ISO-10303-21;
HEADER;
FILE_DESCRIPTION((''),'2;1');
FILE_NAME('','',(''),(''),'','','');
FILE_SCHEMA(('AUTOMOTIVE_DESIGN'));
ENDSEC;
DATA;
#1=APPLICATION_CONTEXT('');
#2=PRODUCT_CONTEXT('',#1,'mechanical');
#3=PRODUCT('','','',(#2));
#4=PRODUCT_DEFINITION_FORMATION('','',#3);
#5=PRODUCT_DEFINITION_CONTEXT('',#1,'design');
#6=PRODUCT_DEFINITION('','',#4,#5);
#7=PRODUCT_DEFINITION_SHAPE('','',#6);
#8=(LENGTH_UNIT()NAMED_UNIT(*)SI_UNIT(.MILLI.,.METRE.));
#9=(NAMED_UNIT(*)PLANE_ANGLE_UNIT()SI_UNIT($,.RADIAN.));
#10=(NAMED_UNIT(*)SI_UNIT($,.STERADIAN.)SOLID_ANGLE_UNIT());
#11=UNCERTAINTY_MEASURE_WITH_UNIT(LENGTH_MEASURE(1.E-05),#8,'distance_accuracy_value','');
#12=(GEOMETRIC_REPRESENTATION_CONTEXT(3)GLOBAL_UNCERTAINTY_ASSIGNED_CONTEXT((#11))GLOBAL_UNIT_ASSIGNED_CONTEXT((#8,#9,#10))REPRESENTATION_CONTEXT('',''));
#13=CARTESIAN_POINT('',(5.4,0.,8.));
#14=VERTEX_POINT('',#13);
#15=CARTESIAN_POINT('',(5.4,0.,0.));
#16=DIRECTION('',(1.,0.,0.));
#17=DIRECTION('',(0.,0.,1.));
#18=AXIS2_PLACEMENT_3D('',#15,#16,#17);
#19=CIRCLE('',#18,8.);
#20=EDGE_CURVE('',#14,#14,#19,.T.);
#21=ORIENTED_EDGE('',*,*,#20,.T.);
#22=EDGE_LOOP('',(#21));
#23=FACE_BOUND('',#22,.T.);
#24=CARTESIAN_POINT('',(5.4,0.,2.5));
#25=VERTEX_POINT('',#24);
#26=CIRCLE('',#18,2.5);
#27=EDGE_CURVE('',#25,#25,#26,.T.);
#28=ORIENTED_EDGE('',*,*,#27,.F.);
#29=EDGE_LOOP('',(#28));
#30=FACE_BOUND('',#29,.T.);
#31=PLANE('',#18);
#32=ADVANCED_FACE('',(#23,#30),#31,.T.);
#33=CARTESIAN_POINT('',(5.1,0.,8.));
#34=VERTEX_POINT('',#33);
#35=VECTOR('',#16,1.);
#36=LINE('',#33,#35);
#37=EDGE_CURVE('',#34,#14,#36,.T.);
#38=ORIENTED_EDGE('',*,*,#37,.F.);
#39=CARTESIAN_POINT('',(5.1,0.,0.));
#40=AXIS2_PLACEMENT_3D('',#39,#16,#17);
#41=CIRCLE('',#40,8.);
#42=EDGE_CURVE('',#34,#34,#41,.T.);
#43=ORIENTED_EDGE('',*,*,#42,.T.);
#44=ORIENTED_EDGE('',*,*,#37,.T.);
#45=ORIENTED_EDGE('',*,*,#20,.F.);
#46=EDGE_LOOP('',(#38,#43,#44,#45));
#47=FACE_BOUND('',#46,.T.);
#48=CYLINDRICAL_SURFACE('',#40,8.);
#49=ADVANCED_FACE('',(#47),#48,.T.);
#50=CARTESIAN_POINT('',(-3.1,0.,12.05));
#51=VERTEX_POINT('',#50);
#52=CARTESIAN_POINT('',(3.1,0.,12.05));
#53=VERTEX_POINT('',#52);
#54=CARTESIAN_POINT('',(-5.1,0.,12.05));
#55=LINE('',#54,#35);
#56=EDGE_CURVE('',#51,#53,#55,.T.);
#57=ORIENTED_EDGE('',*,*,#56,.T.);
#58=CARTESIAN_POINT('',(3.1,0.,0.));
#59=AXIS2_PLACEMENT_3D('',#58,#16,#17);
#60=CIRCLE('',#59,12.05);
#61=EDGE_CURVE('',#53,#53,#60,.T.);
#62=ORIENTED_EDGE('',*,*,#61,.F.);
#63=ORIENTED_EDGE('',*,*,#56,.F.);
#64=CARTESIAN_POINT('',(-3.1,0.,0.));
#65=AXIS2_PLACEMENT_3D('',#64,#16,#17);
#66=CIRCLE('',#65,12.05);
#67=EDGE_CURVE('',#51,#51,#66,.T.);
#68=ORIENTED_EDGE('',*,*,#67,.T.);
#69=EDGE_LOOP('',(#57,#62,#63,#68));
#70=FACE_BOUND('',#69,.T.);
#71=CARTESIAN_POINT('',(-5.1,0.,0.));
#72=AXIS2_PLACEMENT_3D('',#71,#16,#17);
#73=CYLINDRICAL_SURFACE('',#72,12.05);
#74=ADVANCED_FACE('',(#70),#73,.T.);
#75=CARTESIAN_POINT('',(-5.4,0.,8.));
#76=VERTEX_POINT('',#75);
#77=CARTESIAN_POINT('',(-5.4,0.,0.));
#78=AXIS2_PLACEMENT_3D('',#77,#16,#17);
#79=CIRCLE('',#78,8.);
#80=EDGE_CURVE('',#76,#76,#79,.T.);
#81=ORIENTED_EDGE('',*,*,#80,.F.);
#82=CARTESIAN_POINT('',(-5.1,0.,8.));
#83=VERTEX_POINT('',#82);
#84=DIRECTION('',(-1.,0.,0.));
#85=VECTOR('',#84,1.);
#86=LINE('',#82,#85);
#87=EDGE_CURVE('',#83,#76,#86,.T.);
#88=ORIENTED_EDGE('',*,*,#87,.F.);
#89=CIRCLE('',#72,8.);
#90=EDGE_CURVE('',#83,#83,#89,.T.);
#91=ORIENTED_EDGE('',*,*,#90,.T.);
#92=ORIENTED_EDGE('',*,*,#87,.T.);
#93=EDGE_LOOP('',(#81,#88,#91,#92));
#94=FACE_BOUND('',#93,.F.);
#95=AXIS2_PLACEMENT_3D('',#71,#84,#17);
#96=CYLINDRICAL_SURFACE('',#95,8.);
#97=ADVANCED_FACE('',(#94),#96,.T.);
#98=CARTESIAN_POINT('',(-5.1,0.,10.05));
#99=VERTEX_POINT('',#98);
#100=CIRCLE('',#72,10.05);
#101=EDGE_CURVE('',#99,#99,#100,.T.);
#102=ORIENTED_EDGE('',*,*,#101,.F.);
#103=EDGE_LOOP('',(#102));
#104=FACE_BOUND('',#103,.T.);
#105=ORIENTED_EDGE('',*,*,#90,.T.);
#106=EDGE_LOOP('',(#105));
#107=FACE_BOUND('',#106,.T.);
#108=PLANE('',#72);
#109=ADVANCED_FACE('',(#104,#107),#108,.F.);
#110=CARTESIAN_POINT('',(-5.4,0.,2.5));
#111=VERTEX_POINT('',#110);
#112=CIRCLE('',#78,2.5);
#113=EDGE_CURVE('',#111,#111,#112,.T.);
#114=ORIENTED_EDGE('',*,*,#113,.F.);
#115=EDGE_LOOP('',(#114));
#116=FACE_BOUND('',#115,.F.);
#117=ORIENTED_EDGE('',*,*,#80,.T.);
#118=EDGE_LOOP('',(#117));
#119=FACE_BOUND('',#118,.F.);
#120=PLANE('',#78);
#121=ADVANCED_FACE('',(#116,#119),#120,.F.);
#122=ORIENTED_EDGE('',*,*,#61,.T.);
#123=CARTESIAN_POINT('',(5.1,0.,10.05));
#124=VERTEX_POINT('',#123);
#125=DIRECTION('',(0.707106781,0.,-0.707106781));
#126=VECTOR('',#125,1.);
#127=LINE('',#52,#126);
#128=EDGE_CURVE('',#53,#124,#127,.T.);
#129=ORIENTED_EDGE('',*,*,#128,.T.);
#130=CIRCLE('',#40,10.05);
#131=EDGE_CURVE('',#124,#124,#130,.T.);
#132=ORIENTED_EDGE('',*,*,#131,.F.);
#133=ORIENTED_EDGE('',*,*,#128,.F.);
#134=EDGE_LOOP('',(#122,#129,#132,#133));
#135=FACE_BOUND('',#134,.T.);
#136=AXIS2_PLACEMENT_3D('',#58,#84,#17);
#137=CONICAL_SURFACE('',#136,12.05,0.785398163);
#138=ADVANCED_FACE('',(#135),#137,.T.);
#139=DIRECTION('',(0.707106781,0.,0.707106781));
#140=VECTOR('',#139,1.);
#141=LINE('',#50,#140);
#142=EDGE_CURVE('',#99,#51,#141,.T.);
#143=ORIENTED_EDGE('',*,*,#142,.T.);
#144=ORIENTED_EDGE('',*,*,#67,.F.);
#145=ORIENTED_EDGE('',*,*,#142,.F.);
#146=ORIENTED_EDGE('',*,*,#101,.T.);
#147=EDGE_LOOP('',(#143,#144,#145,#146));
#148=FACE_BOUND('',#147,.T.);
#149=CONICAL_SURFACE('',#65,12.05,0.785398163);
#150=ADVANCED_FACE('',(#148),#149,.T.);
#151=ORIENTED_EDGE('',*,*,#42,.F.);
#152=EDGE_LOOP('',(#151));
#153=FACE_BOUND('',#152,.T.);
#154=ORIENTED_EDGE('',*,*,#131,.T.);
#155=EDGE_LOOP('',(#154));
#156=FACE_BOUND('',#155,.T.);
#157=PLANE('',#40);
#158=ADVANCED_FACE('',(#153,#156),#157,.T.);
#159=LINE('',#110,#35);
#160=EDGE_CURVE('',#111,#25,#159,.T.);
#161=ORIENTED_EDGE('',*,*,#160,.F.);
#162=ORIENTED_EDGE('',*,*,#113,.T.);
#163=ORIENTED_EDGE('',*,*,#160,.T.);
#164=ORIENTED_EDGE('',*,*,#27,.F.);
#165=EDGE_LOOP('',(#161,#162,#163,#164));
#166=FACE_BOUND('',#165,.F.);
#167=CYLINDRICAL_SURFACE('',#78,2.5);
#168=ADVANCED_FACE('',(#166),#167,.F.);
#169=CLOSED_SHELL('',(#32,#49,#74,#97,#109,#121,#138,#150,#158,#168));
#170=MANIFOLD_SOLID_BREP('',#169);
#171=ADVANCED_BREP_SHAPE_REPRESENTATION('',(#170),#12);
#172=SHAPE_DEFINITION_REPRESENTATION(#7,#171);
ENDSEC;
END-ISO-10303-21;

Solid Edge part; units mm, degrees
sketch "Sketch1" plane through (0, 0, 0) normal (0, -1, 0) x (1, 0, 0)
  line L0 (-5.1, 8) -> (-5.1, 12.05)
  line L1 (-5.1, 12.05) -> (5.1, 12.05)
  line L2 (5.1, 12.05) -> (5.1, 8)
  line L3 (5.1, 8) -> (5.4, 8)
  line L4 (5.4, 8) -> (5.4, 2.5)
  line L5 (-5.4, 2.5) -> (5.4, 2.5)
  line L6 (-5.4, 8) -> (-5.4, 2.5)
  line L7 (-5.1, 8) -> (-5.4, 8)
  dimension "D1" = 10.2
  dimension "D2" = 0.3
revolve "RevolvedProtrusion1" add sketch "Sketch1" angle 360 about axis through (0, 0, 0) along (1, 0, 0)
chamfer "Chamfer1" distance 2 angle 45 2 edges at (-5.1, 0, -12.05) (5.1, 0, -12.05)
